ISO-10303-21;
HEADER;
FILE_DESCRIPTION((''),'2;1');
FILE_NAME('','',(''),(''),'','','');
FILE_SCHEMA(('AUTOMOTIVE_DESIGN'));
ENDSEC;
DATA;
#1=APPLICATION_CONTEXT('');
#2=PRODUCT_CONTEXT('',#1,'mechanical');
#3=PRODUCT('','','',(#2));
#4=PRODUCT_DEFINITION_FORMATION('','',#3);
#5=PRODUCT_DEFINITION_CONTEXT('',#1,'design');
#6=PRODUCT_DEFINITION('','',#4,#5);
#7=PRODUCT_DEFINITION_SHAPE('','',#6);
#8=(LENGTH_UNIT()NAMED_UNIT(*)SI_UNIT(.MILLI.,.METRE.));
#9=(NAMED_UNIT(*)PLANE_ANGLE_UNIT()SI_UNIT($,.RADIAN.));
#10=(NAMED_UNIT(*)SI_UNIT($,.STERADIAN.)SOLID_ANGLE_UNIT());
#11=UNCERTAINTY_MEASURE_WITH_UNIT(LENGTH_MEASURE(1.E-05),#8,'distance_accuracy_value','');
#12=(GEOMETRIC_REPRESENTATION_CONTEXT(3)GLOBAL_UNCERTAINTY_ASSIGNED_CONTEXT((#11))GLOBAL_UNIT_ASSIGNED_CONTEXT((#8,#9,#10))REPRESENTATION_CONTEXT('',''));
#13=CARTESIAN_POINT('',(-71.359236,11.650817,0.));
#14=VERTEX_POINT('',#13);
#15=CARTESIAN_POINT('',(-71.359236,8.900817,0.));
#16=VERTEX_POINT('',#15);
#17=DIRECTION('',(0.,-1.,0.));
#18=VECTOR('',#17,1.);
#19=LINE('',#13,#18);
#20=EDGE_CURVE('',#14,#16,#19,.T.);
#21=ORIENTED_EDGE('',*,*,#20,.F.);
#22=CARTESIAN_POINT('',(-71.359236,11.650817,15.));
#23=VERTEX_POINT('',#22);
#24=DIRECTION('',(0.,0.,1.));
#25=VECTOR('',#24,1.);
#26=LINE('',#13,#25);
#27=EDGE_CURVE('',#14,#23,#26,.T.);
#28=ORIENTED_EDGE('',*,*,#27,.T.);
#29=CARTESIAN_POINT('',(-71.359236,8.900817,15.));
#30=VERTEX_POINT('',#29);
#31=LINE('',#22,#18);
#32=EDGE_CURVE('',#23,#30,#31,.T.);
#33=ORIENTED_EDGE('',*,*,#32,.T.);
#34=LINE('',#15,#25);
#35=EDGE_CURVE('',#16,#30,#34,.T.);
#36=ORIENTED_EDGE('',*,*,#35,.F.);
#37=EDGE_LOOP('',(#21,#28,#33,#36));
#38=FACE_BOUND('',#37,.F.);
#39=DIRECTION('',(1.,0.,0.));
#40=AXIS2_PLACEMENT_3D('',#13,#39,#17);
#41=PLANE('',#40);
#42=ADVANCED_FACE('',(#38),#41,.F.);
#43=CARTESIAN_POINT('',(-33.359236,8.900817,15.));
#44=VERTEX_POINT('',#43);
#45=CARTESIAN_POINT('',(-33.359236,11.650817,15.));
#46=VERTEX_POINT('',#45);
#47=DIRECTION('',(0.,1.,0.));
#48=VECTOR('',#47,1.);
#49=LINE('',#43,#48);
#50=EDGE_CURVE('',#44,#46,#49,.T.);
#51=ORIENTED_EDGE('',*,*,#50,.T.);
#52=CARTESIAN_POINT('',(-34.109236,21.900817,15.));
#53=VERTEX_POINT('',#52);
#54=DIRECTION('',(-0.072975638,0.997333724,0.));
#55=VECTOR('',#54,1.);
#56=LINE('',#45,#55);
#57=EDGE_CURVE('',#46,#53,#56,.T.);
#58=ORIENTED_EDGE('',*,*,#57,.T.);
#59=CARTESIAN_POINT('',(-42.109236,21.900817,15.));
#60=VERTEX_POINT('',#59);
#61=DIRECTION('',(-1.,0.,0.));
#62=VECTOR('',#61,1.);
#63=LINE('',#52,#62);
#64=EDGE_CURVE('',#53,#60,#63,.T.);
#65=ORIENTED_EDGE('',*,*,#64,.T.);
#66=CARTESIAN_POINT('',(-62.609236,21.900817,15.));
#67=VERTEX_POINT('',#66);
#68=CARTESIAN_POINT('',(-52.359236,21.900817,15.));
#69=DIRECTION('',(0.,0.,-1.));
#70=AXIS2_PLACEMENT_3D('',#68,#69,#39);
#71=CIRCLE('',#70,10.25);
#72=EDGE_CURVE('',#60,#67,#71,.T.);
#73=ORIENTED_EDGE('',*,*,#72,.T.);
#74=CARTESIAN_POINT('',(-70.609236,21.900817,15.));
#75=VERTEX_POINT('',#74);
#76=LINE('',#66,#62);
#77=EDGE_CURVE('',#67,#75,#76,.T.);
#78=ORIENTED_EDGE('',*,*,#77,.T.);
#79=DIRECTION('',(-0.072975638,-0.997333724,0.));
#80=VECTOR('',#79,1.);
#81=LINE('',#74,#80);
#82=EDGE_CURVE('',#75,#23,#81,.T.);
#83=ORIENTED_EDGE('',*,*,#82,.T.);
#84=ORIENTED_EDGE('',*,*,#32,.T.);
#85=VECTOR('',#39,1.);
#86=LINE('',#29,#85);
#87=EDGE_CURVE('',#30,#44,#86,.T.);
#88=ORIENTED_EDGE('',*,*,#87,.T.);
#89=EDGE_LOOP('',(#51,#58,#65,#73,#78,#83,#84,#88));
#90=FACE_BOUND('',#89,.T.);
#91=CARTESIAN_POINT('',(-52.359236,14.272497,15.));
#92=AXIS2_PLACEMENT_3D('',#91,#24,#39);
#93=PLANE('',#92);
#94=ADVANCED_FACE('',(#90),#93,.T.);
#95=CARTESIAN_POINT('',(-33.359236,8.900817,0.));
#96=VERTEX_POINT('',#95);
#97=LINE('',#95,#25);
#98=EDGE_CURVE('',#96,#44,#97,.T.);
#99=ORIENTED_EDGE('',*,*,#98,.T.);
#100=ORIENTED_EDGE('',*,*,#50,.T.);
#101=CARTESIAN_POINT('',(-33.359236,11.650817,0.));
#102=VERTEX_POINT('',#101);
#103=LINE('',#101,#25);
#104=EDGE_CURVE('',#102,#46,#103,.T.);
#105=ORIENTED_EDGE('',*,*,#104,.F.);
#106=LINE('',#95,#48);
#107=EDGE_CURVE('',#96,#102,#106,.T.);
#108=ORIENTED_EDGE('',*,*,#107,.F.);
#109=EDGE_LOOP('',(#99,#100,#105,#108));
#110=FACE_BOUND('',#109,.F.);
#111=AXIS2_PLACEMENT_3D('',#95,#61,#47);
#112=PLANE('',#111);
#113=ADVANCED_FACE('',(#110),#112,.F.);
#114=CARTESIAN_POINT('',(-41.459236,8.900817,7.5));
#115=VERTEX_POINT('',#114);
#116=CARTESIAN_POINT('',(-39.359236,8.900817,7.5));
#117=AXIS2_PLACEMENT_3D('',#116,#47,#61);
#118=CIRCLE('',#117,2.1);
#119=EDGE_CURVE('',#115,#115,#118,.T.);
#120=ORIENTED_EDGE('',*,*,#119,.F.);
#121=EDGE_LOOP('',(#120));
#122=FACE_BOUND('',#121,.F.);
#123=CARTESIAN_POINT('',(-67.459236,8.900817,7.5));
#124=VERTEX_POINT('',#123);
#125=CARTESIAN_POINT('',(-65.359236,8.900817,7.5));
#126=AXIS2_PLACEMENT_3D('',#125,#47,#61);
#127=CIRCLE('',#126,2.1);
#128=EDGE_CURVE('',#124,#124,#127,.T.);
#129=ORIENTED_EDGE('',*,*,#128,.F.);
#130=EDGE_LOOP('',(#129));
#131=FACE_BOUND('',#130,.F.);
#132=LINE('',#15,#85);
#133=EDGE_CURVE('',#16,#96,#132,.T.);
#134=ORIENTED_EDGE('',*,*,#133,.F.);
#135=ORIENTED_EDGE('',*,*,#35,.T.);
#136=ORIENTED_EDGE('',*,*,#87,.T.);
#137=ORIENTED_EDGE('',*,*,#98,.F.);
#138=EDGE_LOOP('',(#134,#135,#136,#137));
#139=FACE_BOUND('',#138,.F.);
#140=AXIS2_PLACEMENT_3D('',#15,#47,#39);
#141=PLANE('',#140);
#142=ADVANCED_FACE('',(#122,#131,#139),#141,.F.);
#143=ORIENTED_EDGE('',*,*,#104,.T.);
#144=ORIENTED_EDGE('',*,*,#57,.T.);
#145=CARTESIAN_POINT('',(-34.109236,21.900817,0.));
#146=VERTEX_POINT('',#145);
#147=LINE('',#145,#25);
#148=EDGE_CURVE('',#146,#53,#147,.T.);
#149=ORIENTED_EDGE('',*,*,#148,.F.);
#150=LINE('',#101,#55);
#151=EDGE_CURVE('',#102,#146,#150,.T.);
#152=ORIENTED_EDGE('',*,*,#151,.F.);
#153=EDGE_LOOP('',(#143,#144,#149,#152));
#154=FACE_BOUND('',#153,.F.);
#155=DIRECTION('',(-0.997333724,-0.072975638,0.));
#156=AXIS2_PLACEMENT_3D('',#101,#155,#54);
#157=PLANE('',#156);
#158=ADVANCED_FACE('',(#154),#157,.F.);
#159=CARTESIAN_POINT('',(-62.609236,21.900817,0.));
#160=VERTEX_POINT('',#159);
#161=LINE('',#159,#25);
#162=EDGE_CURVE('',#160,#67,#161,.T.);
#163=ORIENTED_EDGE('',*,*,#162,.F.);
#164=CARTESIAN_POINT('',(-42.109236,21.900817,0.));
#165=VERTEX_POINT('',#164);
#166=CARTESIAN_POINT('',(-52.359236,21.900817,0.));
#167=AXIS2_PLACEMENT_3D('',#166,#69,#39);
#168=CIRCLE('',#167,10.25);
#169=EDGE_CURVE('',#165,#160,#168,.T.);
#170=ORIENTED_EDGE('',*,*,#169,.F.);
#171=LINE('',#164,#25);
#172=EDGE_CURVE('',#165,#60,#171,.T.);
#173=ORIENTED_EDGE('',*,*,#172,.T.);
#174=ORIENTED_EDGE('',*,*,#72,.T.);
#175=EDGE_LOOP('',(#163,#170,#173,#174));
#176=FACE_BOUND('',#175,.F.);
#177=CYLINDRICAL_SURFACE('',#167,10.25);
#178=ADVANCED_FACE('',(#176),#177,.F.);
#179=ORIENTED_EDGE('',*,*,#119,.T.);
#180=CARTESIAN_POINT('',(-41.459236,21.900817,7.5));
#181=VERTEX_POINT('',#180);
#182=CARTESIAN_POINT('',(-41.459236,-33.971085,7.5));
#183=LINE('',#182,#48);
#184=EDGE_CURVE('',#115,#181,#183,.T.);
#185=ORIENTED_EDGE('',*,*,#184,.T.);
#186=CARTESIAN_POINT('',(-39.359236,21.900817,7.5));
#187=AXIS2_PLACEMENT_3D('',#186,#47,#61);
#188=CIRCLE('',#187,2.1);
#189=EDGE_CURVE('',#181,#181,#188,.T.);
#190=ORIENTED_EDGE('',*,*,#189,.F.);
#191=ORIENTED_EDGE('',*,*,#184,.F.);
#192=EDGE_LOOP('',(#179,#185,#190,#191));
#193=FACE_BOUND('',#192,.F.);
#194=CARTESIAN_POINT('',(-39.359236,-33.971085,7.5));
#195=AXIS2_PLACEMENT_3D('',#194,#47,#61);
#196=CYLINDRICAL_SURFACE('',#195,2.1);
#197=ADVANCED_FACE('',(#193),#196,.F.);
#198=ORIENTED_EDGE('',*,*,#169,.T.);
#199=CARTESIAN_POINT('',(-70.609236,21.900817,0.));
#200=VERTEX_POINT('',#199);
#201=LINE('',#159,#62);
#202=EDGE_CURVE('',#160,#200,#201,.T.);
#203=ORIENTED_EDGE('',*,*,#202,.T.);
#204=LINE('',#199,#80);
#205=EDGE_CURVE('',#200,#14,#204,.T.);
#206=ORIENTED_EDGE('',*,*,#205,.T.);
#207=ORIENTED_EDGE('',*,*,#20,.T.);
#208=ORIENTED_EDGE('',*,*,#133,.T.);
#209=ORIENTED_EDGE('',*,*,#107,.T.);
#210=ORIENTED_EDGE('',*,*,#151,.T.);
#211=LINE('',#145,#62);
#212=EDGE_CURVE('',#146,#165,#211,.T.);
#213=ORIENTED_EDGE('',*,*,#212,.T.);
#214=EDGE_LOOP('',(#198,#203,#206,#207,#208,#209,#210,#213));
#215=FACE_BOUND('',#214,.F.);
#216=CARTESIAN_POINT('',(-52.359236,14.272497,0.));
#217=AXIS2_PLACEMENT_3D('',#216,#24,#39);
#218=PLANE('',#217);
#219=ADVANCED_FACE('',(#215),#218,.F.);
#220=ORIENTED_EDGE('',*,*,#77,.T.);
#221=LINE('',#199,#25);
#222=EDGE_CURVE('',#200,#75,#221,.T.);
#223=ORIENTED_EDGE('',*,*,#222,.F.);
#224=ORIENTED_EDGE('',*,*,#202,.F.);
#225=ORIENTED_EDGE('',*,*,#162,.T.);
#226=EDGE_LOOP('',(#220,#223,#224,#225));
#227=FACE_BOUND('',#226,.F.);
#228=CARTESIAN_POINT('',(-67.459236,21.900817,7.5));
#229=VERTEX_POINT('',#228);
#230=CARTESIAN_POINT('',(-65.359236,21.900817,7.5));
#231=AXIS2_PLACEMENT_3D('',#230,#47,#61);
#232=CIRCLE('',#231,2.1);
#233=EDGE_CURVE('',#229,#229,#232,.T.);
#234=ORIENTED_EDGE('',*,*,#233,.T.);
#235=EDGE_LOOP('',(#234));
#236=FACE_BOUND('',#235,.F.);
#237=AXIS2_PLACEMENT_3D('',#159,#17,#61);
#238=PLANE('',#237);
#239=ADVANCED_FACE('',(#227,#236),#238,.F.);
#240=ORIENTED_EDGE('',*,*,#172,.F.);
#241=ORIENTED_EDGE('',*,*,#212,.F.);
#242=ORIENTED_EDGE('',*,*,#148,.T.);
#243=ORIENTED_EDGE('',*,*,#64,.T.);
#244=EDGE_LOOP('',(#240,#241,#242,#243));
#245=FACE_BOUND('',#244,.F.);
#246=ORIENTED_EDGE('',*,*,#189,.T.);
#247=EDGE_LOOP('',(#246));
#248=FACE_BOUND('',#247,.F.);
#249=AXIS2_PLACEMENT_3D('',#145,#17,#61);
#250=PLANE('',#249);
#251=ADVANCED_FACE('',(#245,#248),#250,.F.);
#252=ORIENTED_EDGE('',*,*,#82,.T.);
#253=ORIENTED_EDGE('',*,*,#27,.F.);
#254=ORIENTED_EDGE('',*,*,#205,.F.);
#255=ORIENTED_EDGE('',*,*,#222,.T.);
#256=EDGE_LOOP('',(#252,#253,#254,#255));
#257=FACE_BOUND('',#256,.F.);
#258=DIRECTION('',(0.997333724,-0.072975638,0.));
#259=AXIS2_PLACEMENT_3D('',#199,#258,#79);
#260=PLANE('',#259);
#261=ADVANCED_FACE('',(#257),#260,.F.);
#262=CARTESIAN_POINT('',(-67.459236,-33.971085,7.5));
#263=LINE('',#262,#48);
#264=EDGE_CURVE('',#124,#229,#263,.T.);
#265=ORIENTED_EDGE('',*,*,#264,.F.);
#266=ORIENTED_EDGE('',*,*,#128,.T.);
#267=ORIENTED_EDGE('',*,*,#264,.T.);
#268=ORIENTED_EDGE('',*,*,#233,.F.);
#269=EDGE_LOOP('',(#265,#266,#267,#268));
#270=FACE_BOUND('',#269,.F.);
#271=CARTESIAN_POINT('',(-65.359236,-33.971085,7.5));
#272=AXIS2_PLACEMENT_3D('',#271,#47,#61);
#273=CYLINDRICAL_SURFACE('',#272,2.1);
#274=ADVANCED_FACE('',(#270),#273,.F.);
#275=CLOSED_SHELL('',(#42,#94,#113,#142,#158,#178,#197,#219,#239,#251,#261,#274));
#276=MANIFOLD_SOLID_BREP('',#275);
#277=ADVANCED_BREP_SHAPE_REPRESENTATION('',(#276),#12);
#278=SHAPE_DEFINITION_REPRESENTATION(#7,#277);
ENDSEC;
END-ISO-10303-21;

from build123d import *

# Parameters (mm, degrees)
F1_DEPTH = 15
F3_D     = 4.2


with BuildPart() as f1:
    # F0 (on Top) → F1 (new body)
    with BuildSketch(Plane.XY):
        with BuildLine():
            Line((-71.359236, 11.650817), (-71.359236, 8.900817))
            Line((-71.359236, 8.900817), (-33.359236, 8.900817))
            Line((-33.359236, 8.900817), (-33.359236, 11.650817))
            Line((-33.359236, 11.650817), (-34.109236, 21.900817))
            Line((-34.109236, 21.900817), (-42.109236, 21.900817))
            ThreePointArc((-42.109236, 21.900817), (-52.359236, 11.650817), (-62.609236, 21.900817))
            Line((-62.609236, 21.900817), (-70.609236, 21.900817))
            Line((-70.609236, 21.900817), (-71.359236, 11.650817))
        make_face()
    extrude(amount=F1_DEPTH)

    # F3 (through all)
    with Locations(Plane.XZ.offset(-8.900817)):
        with Locations((-65.359236, 7.5), (-39.359236, 7.5)):
            Hole(F3_D / 2)


solid = f1.part
